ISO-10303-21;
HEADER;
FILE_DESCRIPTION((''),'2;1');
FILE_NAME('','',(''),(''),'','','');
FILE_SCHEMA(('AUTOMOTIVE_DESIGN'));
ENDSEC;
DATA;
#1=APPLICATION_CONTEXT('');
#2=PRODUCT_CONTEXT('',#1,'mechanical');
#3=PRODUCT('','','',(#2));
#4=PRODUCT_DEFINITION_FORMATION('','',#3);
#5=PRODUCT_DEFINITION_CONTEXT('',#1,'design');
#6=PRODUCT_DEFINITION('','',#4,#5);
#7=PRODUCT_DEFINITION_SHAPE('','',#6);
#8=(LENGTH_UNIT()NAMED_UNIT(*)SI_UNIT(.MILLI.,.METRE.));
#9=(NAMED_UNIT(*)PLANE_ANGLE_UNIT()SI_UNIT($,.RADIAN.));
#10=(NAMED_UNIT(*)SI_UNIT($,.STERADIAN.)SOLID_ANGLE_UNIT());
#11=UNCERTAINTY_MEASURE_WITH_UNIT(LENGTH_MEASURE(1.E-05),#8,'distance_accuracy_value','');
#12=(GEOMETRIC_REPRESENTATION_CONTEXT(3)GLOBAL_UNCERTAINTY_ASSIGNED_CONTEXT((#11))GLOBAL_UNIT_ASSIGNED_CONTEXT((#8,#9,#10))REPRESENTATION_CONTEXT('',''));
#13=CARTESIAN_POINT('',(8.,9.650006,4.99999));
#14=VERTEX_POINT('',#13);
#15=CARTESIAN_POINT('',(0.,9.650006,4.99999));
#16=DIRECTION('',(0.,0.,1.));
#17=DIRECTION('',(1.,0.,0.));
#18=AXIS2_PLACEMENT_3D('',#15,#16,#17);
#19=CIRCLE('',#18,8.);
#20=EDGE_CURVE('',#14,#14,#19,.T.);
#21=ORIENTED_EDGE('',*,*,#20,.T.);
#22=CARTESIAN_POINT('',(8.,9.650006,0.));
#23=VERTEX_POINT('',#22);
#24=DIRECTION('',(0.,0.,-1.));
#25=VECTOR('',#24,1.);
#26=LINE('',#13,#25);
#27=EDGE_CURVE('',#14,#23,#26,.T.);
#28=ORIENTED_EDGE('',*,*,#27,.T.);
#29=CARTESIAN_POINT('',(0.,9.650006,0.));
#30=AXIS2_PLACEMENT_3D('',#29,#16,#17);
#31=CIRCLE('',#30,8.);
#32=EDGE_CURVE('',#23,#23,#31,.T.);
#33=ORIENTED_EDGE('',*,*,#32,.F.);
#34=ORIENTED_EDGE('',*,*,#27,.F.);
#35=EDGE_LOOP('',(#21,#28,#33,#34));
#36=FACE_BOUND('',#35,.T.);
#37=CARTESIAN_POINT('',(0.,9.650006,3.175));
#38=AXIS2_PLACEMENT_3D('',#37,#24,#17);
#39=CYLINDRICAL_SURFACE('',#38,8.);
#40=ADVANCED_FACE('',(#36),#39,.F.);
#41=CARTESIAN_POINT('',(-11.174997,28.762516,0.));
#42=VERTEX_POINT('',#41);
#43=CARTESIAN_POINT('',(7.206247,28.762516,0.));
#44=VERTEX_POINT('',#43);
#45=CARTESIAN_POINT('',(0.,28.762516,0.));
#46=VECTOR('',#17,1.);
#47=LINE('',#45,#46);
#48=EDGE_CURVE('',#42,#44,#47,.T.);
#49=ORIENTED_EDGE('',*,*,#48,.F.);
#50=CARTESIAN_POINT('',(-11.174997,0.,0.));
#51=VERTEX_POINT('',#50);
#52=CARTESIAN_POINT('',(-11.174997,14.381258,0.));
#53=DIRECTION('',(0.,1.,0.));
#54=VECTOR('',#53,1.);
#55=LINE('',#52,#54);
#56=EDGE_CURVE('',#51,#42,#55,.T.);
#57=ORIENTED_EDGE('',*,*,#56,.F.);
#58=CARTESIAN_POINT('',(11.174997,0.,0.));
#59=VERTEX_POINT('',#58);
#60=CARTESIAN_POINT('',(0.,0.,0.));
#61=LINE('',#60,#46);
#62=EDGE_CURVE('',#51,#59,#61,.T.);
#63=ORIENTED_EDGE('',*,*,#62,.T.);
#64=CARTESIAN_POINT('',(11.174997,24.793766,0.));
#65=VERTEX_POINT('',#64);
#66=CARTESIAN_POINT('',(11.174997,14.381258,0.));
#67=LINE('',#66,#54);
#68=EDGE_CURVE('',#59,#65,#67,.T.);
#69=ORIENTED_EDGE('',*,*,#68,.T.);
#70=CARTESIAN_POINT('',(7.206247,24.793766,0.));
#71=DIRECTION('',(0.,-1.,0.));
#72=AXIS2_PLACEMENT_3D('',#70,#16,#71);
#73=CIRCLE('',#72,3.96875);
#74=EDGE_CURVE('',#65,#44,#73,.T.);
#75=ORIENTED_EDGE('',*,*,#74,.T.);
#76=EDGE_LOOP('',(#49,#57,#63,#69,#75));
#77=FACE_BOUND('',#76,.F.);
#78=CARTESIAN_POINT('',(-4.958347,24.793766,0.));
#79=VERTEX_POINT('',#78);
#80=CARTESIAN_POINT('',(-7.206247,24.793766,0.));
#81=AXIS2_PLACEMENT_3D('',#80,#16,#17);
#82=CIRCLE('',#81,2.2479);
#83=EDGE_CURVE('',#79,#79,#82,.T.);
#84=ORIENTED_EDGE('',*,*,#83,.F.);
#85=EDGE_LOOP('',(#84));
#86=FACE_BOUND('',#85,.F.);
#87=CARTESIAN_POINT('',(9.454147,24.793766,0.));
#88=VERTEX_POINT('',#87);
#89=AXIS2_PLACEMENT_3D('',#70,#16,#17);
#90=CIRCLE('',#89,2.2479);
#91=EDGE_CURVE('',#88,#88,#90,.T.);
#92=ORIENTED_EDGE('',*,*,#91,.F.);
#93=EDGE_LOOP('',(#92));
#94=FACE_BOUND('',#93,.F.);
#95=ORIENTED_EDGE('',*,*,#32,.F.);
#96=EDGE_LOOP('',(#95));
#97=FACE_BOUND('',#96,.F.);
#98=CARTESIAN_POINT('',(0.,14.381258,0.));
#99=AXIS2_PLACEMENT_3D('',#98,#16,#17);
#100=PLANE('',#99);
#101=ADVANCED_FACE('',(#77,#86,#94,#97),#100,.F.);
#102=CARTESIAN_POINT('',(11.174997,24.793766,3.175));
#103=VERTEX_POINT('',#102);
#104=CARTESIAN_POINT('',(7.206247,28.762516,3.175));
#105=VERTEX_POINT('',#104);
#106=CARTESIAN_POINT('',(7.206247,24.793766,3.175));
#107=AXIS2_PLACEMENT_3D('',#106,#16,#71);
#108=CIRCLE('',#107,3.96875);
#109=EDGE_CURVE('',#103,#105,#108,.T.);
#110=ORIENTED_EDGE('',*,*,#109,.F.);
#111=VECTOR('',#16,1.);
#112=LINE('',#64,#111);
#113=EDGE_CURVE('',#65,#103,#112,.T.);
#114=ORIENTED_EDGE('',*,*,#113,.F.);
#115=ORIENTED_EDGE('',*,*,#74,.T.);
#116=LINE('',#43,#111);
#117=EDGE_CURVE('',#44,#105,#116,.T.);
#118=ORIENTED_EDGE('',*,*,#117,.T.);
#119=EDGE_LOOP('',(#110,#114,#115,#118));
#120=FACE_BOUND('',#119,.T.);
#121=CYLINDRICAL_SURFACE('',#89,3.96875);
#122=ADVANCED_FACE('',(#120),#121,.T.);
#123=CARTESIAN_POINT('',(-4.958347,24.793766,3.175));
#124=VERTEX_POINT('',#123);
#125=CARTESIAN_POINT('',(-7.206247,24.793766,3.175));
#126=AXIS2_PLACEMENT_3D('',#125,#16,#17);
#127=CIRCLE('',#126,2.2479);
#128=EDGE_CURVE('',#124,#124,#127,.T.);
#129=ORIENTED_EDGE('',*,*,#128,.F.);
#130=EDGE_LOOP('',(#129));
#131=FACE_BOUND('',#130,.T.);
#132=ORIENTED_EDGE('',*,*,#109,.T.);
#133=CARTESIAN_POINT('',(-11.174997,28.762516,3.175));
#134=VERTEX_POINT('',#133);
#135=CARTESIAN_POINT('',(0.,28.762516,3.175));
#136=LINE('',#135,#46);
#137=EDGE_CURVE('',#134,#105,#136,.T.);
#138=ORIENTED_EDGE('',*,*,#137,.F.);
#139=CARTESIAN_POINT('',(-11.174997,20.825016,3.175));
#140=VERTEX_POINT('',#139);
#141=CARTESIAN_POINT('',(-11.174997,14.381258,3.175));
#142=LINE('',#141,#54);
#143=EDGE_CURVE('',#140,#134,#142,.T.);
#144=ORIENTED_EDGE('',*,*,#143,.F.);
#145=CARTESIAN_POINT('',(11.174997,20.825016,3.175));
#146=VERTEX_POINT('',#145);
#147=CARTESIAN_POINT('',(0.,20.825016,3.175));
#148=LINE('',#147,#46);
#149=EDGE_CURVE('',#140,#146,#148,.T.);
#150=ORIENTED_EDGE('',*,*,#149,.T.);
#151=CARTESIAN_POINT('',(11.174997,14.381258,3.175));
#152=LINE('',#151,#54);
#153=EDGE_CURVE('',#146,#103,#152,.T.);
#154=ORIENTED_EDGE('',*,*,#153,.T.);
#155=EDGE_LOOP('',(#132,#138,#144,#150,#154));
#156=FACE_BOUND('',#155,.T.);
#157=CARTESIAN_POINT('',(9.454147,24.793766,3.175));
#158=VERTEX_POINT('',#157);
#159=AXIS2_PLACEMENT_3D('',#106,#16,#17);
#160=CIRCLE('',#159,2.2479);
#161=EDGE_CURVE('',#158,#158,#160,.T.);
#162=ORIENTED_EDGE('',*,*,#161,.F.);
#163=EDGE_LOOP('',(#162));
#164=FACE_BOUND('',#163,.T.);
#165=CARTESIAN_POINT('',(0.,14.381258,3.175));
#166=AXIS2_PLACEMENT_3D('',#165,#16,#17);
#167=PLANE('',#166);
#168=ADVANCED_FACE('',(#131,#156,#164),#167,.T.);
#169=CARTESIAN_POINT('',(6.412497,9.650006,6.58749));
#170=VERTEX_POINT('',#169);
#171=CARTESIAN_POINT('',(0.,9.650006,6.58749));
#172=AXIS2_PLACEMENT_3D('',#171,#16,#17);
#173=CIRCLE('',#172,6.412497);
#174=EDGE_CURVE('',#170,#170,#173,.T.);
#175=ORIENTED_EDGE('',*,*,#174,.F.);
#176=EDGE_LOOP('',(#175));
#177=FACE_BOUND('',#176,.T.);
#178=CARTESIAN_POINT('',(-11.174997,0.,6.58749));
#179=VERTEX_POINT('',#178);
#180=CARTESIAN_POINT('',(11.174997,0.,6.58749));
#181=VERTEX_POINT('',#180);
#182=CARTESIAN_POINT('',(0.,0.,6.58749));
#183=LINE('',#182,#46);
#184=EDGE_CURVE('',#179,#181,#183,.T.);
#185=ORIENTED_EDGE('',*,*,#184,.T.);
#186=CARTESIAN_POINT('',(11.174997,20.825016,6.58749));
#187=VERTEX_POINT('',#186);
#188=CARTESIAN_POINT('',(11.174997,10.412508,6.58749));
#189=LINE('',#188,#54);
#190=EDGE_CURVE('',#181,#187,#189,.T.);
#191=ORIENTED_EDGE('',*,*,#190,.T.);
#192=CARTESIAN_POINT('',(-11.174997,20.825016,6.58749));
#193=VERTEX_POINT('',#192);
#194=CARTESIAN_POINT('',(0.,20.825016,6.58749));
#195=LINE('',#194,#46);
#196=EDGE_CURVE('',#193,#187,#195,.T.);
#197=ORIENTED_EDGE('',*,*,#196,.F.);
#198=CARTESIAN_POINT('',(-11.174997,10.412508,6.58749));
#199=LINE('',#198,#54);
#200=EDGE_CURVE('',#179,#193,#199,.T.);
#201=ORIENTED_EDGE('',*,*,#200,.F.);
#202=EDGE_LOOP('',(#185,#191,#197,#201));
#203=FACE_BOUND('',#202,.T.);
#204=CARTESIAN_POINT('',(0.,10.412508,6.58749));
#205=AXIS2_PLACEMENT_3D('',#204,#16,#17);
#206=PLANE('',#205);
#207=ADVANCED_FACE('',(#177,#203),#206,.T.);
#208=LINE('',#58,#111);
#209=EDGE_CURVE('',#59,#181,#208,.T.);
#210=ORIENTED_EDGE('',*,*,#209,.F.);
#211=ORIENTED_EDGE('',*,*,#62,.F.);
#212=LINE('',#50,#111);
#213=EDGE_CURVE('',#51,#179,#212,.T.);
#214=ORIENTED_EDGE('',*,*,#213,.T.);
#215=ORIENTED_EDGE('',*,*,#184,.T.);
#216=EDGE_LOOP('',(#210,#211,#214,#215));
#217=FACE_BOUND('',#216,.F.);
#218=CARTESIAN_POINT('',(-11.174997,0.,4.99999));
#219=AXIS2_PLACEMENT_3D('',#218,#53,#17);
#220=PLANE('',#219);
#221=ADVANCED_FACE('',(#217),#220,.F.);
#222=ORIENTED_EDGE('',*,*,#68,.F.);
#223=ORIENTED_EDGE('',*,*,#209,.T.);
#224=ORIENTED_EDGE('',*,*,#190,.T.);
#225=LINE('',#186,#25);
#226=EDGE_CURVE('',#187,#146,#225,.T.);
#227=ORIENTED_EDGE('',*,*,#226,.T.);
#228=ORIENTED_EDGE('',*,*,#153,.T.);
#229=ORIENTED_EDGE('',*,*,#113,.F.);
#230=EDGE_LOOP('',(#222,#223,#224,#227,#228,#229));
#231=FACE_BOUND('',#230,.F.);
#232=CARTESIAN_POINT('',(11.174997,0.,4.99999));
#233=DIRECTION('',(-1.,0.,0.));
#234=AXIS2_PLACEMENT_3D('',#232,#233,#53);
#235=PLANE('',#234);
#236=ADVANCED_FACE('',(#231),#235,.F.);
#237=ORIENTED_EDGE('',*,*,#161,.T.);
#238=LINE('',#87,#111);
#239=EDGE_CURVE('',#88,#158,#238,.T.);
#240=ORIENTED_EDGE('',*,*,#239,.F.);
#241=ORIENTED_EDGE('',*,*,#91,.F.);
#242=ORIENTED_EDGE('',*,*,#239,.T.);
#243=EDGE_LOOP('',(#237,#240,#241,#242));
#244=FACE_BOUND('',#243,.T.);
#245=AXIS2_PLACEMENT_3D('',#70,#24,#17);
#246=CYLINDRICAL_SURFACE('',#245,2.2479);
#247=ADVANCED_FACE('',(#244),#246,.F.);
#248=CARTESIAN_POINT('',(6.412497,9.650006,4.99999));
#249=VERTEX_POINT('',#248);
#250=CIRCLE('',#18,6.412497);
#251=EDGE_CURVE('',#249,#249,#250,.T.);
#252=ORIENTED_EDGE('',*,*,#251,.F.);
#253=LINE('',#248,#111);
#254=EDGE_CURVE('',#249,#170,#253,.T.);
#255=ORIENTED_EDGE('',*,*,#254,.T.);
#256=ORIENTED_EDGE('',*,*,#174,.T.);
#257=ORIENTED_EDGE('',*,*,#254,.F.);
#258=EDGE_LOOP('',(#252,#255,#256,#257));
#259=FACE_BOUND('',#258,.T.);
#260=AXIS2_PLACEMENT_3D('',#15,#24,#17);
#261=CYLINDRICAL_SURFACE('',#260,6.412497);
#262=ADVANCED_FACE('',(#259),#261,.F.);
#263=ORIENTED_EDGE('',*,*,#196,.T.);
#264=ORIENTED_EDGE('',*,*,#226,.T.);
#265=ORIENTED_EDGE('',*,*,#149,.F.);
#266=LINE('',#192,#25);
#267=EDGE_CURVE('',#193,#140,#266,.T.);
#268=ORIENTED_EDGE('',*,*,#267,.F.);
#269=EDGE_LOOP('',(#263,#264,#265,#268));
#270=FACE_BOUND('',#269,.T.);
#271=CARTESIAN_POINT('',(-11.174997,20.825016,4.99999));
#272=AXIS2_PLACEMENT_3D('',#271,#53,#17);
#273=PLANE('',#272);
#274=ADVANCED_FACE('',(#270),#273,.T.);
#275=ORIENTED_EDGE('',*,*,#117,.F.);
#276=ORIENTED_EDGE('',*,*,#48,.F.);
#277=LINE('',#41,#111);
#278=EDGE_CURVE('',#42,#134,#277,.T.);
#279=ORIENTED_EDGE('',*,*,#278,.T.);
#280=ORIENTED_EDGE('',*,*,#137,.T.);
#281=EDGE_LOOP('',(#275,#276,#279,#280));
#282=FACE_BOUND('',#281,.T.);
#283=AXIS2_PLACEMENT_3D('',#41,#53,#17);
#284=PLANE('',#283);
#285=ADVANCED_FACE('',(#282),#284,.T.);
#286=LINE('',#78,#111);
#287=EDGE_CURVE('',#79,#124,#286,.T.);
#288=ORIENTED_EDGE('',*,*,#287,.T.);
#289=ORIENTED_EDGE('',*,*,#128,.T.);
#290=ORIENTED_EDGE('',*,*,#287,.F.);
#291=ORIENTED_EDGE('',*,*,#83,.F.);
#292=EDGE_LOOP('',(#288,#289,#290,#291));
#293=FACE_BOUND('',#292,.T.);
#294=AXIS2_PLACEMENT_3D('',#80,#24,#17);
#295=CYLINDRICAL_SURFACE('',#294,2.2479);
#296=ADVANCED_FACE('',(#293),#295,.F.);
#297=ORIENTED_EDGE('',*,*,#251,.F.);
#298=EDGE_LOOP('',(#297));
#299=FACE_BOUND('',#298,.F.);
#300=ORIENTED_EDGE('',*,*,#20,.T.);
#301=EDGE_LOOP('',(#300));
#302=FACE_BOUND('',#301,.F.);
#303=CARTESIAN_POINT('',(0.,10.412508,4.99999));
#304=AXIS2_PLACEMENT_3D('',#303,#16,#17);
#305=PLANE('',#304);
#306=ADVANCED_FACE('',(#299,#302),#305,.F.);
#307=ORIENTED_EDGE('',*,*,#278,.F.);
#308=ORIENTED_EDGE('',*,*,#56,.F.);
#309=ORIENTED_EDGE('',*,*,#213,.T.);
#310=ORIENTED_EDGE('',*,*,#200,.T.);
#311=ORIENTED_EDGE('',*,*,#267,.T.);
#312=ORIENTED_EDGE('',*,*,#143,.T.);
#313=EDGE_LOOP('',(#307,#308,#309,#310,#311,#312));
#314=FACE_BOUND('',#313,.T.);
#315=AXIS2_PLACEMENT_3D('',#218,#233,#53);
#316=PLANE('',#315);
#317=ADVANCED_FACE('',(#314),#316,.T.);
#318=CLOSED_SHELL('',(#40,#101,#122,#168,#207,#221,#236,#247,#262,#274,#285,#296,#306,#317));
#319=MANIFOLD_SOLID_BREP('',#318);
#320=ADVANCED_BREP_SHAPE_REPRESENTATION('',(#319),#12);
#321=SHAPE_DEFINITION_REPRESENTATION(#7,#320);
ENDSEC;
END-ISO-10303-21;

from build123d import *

# Parameters (mm, degrees)
F0_W     = 22.349994
F0_H     = 28.762516
F0_R     = 8
F0_R_2   = 2.2479
F1_DEPTH = 3.175
F2_W     = 22.349994
F2_H     = 20.825016
F2_R     = 8
F3_DEPTH = 1.82499
F4_W     = 22.349994
F4_H     = 20.825016
F4_R     = 8
F4_R_2   = 6.412497
F5_DEPTH = 1.5875
F6_R     = 3.96875


with BuildPart() as f1:
    # F0 (on Top) → F1 (new body)
    with BuildSketch(Plane.XY):
        with Locations((0, 14.381258)):
            Rectangle(F0_W, F0_H)
        with Locations((0, 9.650006)):
            Circle(F0_R, mode=Mode.SUBTRACT)
        with Locations((-7.206247, 24.793766)):
            Circle(F0_R_2, mode=Mode.SUBTRACT)
        with Locations((7.206247, 24.793766)):
            Circle(F0_R_2, mode=Mode.SUBTRACT)
    extrude(amount=F1_DEPTH)

    # F2 (on face) → F3 (join)
    with BuildSketch(Plane.XY.offset(3.175)):
        with Locations((0, 10.412508)):
            Rectangle(F2_W, F2_H)
        with Locations((0, 9.650006)):
            Circle(F2_R, mode=Mode.SUBTRACT)
    extrude(amount=F3_DEPTH)

    # F4 (on face) → F5 (join)
    with BuildSketch(Plane.XY.offset(4.99999)):
        with Locations((0, 10.412508)):
            Rectangle(F4_W, F4_H)
        with Locations((0, 9.650006)):
            Circle(F4_R, mode=Mode.SUBTRACT)
        with Locations((0, 9.650006)):
            Circle(F4_R)
        with Locations((0, 9.650006)):
            Circle(F4_R_2, mode=Mode.SUBTRACT)
    extrude(amount=F5_DEPTH)

    # F6
    f6_edges = [f1.edges().sort_by_distance(p)[0] for p in [
        (11.174997, 28.762516, 1.5875),
    ]]
    fillet(f6_edges, radius=F6_R)


solid = f1.part
